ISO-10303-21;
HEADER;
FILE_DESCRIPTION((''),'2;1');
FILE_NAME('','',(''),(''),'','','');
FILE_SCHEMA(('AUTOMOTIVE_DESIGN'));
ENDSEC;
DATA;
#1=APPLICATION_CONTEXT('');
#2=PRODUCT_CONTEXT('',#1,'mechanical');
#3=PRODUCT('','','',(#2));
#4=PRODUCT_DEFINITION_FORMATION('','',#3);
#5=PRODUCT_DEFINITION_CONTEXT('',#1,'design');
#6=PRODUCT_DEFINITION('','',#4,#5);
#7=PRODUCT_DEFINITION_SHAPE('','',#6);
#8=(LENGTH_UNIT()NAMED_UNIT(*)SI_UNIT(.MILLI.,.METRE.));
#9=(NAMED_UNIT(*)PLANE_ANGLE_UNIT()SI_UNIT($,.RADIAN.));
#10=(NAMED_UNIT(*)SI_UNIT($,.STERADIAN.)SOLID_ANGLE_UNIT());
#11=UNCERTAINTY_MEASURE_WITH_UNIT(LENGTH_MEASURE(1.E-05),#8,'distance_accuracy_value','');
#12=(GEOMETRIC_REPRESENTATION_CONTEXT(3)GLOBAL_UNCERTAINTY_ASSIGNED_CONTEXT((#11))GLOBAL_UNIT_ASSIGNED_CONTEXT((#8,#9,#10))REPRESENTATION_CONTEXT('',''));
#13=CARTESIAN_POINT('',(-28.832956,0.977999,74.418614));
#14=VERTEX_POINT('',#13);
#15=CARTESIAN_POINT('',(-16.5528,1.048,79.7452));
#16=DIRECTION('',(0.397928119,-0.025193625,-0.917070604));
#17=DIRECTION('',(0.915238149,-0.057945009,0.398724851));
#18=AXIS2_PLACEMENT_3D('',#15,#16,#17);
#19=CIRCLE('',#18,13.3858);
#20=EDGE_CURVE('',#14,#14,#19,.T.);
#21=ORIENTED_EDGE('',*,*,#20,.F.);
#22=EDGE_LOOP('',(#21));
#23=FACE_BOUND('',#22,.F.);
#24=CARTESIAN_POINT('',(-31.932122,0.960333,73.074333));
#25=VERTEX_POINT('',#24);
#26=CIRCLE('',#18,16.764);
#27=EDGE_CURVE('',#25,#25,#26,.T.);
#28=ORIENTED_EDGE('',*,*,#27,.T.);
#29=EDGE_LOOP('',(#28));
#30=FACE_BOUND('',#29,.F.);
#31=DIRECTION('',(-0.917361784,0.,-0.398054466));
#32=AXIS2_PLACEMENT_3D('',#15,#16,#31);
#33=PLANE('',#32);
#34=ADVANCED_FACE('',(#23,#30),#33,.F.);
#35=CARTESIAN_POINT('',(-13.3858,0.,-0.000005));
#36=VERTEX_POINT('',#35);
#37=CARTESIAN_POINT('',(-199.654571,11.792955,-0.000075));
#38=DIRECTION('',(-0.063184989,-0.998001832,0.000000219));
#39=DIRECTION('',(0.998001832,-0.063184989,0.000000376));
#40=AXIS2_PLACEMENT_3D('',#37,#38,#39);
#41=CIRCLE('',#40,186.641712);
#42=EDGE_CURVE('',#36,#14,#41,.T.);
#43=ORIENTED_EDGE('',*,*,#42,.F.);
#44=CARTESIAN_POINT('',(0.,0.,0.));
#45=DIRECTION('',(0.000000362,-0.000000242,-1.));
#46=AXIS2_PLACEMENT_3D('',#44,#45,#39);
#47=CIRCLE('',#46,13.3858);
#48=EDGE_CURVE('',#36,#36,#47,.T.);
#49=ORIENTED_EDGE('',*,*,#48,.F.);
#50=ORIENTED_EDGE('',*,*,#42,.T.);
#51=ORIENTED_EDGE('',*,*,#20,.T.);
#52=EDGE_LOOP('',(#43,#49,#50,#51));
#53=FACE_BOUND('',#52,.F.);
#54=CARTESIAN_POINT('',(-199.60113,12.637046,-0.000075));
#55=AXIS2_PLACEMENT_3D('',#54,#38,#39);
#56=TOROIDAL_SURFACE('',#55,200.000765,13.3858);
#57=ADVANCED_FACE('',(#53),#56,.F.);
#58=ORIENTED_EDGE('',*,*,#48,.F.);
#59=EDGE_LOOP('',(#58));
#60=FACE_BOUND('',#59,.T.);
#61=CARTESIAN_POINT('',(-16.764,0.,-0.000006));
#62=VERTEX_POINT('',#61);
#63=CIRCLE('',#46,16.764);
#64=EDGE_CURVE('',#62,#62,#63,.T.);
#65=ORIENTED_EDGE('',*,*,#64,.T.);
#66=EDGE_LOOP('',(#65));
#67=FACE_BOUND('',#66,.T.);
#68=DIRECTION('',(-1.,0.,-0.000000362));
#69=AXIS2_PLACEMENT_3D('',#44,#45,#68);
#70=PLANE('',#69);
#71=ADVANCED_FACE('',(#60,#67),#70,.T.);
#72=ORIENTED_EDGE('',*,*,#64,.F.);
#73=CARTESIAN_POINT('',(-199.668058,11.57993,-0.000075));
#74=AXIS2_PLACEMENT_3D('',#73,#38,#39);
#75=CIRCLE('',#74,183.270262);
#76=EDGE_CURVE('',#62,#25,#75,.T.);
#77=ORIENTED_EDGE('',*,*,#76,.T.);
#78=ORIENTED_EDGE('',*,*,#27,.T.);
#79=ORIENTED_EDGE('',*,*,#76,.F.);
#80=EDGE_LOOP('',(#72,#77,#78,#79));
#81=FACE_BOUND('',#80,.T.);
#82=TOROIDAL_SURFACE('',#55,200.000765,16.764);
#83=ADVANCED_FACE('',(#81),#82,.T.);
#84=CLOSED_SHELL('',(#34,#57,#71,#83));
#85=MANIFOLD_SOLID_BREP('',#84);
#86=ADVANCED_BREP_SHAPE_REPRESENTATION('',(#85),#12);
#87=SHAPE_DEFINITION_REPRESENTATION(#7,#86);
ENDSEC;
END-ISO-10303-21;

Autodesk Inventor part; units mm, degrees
ref_plane "Start plane" through (0, 0, 0) normal (0, 0, 1) x (1, 0, 0)
ref_plane "End plane" through (0, 0, 82.0255) normal (0, 0, 1) x (1, 0, 0)
sketch "Sketch" plane through (0, 0, 0) normal (0, 0, -1) x (-1, 0, 0)
  circle A0 centre (0, 0) radius 13.3858
  circle A1 centre (0, 0) radius 16.764
  dimension "d0" = 33.528
  dimension "d1" = 3.3782
sketch "Sketch3" plane through (0, 0, 0) normal (0, 0, 1) x (1, 0, 0)
  line L0 (0, 0) -> (10, 0)
ref_plane "Work Plane3" through (0, 0, 0) normal (0, -1, 0) x (1, 0, 0)
ref_plane "Orientation Work Plane" through (0, 0, 0) normal (0, 0, -1) x (-1, 0, 0)
sketch3d "Sweep Path"
  arc A0 (0, 0, 0) -> (-16.5528, 1.048, 79.7452) centre (-199.6004, 12.637, 0) ccw
sweep "Body" add profiles "Sketch" path "Sweep Path"
sketch "Sketch4" plane through (0, 0, 0) normal (0, -1, 0) x (1, 0, 0)
  line L0 (-2, 0) -> (12, 0) projected
  line L1 (-2, 82.0255) -> (12, 82.0255) projected
  dimension "d7" = 82.0255
equation "\"d0\" = G_H"
equation "\"d1\" = G_T"
equation "\"G_H\" = 33.528"
equation "\"G_T\" = 3.3782"
equation "\"G_L\" = d7"
equation "\"G_OFFSET_START\" = 0"
equation "\"G_OFFSET_END\" = 0"
equation "\"d5\" = G_OFFSET_END + B_L"
equation "\"B_L\" = 82.02547"
properties part number "ANSI - 1 x 0.133 - 3.229" material "Steel, Mild"
